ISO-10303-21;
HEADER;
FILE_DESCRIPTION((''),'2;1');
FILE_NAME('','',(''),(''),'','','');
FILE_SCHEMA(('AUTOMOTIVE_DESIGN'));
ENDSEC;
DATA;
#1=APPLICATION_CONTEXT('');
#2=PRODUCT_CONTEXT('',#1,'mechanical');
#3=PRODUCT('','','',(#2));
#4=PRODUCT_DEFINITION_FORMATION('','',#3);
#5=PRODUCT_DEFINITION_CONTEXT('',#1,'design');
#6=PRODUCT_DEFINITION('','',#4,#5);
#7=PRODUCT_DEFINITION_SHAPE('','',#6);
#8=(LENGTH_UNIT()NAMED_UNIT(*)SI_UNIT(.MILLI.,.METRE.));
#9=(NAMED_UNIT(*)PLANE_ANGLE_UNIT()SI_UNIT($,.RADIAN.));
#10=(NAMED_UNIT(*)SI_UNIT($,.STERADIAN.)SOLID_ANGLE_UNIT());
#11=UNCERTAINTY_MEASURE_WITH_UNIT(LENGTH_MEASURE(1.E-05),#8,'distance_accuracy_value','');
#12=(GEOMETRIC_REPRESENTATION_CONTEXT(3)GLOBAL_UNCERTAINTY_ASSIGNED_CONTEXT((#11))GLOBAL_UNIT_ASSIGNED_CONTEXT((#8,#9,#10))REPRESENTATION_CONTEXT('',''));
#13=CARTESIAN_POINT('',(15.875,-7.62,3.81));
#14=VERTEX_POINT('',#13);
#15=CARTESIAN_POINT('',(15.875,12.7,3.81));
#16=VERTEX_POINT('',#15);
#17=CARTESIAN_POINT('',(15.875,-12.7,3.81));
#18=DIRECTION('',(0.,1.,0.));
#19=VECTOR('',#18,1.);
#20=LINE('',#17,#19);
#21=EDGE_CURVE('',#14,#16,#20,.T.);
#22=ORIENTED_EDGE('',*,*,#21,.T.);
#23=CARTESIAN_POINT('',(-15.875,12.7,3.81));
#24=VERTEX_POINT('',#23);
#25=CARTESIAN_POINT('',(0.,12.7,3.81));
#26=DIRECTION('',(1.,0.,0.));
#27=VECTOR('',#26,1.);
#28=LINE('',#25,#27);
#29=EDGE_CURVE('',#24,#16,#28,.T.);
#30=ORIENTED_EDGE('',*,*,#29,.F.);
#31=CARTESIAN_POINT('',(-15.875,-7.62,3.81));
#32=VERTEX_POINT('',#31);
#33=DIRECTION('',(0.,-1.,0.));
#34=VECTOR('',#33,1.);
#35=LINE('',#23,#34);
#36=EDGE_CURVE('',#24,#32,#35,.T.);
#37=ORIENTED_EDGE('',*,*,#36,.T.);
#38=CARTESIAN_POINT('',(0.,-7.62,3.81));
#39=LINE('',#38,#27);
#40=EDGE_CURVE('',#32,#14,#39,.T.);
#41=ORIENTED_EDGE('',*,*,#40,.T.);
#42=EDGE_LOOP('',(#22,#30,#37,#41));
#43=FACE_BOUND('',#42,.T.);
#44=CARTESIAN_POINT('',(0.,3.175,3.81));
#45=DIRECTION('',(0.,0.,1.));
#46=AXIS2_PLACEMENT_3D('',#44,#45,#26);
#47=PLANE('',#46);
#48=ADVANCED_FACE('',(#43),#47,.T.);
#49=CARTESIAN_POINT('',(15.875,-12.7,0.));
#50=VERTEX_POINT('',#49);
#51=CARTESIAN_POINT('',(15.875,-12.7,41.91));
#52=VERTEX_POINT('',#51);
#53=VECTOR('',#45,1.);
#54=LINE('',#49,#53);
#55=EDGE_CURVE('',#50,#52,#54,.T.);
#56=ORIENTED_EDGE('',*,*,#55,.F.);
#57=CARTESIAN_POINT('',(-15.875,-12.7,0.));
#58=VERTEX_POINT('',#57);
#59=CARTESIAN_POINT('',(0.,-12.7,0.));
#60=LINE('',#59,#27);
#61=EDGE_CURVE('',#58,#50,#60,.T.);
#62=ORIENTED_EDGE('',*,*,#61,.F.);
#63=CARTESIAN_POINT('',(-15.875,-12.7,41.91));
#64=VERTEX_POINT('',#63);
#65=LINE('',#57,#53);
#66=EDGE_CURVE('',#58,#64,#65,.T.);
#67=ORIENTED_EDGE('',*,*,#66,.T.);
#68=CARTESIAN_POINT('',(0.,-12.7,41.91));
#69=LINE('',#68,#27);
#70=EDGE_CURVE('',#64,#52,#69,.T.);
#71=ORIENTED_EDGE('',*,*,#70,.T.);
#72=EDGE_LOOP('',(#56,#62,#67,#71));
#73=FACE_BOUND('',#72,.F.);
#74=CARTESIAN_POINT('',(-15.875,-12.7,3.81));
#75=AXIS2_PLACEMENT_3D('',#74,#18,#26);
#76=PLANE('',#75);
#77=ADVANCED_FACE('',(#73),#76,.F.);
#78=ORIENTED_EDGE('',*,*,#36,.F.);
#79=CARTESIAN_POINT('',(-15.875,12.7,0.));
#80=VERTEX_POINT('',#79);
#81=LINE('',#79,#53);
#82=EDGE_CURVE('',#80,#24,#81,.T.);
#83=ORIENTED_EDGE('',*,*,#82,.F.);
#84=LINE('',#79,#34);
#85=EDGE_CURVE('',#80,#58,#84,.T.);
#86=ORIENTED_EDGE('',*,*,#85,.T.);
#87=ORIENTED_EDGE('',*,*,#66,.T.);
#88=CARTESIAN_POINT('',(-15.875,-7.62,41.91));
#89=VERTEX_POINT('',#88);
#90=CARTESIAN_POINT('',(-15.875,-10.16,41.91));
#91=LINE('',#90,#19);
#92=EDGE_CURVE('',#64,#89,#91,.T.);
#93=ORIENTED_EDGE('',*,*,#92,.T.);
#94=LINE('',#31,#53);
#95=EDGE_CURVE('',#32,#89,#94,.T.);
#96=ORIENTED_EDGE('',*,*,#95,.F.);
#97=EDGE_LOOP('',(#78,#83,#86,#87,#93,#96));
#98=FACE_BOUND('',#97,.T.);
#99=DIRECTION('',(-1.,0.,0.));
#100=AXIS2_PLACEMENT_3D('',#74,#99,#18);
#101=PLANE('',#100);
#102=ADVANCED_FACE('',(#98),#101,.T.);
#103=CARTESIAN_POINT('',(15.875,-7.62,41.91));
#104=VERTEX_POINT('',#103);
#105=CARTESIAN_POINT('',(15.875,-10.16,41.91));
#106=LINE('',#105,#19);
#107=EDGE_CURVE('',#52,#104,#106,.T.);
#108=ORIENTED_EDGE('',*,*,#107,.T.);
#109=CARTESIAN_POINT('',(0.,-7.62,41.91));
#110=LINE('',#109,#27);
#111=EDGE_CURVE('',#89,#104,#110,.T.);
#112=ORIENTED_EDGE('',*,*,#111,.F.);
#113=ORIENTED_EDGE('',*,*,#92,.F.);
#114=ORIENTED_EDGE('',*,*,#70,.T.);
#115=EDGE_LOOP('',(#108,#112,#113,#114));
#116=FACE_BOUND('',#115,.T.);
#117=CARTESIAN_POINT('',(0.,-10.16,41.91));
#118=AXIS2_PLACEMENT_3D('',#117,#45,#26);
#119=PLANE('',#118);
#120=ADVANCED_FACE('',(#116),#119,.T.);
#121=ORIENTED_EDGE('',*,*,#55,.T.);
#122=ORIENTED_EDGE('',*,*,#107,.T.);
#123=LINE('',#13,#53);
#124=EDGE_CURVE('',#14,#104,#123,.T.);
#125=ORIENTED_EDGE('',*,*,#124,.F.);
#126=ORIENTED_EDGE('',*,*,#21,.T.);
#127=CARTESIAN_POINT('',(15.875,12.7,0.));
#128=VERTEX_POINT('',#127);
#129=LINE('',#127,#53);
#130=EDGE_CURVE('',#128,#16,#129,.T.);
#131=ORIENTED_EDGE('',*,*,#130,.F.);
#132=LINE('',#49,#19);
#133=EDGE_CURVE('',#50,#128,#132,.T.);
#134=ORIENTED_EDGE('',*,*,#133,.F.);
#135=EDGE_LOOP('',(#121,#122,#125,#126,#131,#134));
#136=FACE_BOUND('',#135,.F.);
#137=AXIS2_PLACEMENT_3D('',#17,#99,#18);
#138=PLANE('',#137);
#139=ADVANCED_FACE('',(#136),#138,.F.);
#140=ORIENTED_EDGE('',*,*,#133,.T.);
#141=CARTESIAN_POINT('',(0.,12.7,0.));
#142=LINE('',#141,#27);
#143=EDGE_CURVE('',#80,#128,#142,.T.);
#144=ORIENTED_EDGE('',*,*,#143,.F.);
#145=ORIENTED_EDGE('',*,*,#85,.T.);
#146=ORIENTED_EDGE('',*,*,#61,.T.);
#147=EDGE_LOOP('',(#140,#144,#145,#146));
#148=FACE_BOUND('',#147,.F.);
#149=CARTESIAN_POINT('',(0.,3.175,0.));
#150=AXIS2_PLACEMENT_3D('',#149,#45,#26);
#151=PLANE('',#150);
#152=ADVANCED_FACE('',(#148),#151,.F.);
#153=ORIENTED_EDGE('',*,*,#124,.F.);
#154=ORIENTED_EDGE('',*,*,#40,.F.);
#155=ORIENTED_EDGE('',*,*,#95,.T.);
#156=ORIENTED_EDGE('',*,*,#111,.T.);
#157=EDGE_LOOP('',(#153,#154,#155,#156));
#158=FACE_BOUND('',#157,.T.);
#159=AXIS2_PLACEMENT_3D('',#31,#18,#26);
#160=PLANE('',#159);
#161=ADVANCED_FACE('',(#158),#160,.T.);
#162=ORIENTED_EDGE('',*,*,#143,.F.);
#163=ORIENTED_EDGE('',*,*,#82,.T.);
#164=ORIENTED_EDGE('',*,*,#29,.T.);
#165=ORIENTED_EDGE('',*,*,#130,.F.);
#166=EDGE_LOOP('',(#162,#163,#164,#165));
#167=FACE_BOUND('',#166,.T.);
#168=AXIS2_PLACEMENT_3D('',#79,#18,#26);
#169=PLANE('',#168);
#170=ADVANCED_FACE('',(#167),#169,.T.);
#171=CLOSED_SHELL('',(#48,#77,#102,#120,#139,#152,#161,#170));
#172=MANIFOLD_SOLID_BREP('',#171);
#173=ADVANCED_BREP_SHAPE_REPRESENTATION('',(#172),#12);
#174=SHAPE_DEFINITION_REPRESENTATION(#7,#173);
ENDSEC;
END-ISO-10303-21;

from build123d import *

# Parameters (mm, degrees)
F0_W     = 31.75
F0_H     = 19.05
F0_H_2   = 6.35
F1_DEPTH = 3.81
F2_W     = 31.75
F2_H     = 5.08
F3_DEPTH = 38.1


with BuildPart() as f1:
    # F0 (on Top) → F1 (new body)
    with BuildSketch(Plane.XY):
        with Locations((0, 3.175)):
            Rectangle(F0_W, F0_H)
        with Locations((0, -9.525)):
            Rectangle(F0_W, F0_H_2)
    extrude(amount=F1_DEPTH)

    # F2 (on face) → F3 (join)
    with BuildSketch(Plane.XY.offset(3.81)):
        with Locations((0, -10.16)):
            Rectangle(F2_W, F2_H)
    extrude(amount=F3_DEPTH)


solid = f1.part
